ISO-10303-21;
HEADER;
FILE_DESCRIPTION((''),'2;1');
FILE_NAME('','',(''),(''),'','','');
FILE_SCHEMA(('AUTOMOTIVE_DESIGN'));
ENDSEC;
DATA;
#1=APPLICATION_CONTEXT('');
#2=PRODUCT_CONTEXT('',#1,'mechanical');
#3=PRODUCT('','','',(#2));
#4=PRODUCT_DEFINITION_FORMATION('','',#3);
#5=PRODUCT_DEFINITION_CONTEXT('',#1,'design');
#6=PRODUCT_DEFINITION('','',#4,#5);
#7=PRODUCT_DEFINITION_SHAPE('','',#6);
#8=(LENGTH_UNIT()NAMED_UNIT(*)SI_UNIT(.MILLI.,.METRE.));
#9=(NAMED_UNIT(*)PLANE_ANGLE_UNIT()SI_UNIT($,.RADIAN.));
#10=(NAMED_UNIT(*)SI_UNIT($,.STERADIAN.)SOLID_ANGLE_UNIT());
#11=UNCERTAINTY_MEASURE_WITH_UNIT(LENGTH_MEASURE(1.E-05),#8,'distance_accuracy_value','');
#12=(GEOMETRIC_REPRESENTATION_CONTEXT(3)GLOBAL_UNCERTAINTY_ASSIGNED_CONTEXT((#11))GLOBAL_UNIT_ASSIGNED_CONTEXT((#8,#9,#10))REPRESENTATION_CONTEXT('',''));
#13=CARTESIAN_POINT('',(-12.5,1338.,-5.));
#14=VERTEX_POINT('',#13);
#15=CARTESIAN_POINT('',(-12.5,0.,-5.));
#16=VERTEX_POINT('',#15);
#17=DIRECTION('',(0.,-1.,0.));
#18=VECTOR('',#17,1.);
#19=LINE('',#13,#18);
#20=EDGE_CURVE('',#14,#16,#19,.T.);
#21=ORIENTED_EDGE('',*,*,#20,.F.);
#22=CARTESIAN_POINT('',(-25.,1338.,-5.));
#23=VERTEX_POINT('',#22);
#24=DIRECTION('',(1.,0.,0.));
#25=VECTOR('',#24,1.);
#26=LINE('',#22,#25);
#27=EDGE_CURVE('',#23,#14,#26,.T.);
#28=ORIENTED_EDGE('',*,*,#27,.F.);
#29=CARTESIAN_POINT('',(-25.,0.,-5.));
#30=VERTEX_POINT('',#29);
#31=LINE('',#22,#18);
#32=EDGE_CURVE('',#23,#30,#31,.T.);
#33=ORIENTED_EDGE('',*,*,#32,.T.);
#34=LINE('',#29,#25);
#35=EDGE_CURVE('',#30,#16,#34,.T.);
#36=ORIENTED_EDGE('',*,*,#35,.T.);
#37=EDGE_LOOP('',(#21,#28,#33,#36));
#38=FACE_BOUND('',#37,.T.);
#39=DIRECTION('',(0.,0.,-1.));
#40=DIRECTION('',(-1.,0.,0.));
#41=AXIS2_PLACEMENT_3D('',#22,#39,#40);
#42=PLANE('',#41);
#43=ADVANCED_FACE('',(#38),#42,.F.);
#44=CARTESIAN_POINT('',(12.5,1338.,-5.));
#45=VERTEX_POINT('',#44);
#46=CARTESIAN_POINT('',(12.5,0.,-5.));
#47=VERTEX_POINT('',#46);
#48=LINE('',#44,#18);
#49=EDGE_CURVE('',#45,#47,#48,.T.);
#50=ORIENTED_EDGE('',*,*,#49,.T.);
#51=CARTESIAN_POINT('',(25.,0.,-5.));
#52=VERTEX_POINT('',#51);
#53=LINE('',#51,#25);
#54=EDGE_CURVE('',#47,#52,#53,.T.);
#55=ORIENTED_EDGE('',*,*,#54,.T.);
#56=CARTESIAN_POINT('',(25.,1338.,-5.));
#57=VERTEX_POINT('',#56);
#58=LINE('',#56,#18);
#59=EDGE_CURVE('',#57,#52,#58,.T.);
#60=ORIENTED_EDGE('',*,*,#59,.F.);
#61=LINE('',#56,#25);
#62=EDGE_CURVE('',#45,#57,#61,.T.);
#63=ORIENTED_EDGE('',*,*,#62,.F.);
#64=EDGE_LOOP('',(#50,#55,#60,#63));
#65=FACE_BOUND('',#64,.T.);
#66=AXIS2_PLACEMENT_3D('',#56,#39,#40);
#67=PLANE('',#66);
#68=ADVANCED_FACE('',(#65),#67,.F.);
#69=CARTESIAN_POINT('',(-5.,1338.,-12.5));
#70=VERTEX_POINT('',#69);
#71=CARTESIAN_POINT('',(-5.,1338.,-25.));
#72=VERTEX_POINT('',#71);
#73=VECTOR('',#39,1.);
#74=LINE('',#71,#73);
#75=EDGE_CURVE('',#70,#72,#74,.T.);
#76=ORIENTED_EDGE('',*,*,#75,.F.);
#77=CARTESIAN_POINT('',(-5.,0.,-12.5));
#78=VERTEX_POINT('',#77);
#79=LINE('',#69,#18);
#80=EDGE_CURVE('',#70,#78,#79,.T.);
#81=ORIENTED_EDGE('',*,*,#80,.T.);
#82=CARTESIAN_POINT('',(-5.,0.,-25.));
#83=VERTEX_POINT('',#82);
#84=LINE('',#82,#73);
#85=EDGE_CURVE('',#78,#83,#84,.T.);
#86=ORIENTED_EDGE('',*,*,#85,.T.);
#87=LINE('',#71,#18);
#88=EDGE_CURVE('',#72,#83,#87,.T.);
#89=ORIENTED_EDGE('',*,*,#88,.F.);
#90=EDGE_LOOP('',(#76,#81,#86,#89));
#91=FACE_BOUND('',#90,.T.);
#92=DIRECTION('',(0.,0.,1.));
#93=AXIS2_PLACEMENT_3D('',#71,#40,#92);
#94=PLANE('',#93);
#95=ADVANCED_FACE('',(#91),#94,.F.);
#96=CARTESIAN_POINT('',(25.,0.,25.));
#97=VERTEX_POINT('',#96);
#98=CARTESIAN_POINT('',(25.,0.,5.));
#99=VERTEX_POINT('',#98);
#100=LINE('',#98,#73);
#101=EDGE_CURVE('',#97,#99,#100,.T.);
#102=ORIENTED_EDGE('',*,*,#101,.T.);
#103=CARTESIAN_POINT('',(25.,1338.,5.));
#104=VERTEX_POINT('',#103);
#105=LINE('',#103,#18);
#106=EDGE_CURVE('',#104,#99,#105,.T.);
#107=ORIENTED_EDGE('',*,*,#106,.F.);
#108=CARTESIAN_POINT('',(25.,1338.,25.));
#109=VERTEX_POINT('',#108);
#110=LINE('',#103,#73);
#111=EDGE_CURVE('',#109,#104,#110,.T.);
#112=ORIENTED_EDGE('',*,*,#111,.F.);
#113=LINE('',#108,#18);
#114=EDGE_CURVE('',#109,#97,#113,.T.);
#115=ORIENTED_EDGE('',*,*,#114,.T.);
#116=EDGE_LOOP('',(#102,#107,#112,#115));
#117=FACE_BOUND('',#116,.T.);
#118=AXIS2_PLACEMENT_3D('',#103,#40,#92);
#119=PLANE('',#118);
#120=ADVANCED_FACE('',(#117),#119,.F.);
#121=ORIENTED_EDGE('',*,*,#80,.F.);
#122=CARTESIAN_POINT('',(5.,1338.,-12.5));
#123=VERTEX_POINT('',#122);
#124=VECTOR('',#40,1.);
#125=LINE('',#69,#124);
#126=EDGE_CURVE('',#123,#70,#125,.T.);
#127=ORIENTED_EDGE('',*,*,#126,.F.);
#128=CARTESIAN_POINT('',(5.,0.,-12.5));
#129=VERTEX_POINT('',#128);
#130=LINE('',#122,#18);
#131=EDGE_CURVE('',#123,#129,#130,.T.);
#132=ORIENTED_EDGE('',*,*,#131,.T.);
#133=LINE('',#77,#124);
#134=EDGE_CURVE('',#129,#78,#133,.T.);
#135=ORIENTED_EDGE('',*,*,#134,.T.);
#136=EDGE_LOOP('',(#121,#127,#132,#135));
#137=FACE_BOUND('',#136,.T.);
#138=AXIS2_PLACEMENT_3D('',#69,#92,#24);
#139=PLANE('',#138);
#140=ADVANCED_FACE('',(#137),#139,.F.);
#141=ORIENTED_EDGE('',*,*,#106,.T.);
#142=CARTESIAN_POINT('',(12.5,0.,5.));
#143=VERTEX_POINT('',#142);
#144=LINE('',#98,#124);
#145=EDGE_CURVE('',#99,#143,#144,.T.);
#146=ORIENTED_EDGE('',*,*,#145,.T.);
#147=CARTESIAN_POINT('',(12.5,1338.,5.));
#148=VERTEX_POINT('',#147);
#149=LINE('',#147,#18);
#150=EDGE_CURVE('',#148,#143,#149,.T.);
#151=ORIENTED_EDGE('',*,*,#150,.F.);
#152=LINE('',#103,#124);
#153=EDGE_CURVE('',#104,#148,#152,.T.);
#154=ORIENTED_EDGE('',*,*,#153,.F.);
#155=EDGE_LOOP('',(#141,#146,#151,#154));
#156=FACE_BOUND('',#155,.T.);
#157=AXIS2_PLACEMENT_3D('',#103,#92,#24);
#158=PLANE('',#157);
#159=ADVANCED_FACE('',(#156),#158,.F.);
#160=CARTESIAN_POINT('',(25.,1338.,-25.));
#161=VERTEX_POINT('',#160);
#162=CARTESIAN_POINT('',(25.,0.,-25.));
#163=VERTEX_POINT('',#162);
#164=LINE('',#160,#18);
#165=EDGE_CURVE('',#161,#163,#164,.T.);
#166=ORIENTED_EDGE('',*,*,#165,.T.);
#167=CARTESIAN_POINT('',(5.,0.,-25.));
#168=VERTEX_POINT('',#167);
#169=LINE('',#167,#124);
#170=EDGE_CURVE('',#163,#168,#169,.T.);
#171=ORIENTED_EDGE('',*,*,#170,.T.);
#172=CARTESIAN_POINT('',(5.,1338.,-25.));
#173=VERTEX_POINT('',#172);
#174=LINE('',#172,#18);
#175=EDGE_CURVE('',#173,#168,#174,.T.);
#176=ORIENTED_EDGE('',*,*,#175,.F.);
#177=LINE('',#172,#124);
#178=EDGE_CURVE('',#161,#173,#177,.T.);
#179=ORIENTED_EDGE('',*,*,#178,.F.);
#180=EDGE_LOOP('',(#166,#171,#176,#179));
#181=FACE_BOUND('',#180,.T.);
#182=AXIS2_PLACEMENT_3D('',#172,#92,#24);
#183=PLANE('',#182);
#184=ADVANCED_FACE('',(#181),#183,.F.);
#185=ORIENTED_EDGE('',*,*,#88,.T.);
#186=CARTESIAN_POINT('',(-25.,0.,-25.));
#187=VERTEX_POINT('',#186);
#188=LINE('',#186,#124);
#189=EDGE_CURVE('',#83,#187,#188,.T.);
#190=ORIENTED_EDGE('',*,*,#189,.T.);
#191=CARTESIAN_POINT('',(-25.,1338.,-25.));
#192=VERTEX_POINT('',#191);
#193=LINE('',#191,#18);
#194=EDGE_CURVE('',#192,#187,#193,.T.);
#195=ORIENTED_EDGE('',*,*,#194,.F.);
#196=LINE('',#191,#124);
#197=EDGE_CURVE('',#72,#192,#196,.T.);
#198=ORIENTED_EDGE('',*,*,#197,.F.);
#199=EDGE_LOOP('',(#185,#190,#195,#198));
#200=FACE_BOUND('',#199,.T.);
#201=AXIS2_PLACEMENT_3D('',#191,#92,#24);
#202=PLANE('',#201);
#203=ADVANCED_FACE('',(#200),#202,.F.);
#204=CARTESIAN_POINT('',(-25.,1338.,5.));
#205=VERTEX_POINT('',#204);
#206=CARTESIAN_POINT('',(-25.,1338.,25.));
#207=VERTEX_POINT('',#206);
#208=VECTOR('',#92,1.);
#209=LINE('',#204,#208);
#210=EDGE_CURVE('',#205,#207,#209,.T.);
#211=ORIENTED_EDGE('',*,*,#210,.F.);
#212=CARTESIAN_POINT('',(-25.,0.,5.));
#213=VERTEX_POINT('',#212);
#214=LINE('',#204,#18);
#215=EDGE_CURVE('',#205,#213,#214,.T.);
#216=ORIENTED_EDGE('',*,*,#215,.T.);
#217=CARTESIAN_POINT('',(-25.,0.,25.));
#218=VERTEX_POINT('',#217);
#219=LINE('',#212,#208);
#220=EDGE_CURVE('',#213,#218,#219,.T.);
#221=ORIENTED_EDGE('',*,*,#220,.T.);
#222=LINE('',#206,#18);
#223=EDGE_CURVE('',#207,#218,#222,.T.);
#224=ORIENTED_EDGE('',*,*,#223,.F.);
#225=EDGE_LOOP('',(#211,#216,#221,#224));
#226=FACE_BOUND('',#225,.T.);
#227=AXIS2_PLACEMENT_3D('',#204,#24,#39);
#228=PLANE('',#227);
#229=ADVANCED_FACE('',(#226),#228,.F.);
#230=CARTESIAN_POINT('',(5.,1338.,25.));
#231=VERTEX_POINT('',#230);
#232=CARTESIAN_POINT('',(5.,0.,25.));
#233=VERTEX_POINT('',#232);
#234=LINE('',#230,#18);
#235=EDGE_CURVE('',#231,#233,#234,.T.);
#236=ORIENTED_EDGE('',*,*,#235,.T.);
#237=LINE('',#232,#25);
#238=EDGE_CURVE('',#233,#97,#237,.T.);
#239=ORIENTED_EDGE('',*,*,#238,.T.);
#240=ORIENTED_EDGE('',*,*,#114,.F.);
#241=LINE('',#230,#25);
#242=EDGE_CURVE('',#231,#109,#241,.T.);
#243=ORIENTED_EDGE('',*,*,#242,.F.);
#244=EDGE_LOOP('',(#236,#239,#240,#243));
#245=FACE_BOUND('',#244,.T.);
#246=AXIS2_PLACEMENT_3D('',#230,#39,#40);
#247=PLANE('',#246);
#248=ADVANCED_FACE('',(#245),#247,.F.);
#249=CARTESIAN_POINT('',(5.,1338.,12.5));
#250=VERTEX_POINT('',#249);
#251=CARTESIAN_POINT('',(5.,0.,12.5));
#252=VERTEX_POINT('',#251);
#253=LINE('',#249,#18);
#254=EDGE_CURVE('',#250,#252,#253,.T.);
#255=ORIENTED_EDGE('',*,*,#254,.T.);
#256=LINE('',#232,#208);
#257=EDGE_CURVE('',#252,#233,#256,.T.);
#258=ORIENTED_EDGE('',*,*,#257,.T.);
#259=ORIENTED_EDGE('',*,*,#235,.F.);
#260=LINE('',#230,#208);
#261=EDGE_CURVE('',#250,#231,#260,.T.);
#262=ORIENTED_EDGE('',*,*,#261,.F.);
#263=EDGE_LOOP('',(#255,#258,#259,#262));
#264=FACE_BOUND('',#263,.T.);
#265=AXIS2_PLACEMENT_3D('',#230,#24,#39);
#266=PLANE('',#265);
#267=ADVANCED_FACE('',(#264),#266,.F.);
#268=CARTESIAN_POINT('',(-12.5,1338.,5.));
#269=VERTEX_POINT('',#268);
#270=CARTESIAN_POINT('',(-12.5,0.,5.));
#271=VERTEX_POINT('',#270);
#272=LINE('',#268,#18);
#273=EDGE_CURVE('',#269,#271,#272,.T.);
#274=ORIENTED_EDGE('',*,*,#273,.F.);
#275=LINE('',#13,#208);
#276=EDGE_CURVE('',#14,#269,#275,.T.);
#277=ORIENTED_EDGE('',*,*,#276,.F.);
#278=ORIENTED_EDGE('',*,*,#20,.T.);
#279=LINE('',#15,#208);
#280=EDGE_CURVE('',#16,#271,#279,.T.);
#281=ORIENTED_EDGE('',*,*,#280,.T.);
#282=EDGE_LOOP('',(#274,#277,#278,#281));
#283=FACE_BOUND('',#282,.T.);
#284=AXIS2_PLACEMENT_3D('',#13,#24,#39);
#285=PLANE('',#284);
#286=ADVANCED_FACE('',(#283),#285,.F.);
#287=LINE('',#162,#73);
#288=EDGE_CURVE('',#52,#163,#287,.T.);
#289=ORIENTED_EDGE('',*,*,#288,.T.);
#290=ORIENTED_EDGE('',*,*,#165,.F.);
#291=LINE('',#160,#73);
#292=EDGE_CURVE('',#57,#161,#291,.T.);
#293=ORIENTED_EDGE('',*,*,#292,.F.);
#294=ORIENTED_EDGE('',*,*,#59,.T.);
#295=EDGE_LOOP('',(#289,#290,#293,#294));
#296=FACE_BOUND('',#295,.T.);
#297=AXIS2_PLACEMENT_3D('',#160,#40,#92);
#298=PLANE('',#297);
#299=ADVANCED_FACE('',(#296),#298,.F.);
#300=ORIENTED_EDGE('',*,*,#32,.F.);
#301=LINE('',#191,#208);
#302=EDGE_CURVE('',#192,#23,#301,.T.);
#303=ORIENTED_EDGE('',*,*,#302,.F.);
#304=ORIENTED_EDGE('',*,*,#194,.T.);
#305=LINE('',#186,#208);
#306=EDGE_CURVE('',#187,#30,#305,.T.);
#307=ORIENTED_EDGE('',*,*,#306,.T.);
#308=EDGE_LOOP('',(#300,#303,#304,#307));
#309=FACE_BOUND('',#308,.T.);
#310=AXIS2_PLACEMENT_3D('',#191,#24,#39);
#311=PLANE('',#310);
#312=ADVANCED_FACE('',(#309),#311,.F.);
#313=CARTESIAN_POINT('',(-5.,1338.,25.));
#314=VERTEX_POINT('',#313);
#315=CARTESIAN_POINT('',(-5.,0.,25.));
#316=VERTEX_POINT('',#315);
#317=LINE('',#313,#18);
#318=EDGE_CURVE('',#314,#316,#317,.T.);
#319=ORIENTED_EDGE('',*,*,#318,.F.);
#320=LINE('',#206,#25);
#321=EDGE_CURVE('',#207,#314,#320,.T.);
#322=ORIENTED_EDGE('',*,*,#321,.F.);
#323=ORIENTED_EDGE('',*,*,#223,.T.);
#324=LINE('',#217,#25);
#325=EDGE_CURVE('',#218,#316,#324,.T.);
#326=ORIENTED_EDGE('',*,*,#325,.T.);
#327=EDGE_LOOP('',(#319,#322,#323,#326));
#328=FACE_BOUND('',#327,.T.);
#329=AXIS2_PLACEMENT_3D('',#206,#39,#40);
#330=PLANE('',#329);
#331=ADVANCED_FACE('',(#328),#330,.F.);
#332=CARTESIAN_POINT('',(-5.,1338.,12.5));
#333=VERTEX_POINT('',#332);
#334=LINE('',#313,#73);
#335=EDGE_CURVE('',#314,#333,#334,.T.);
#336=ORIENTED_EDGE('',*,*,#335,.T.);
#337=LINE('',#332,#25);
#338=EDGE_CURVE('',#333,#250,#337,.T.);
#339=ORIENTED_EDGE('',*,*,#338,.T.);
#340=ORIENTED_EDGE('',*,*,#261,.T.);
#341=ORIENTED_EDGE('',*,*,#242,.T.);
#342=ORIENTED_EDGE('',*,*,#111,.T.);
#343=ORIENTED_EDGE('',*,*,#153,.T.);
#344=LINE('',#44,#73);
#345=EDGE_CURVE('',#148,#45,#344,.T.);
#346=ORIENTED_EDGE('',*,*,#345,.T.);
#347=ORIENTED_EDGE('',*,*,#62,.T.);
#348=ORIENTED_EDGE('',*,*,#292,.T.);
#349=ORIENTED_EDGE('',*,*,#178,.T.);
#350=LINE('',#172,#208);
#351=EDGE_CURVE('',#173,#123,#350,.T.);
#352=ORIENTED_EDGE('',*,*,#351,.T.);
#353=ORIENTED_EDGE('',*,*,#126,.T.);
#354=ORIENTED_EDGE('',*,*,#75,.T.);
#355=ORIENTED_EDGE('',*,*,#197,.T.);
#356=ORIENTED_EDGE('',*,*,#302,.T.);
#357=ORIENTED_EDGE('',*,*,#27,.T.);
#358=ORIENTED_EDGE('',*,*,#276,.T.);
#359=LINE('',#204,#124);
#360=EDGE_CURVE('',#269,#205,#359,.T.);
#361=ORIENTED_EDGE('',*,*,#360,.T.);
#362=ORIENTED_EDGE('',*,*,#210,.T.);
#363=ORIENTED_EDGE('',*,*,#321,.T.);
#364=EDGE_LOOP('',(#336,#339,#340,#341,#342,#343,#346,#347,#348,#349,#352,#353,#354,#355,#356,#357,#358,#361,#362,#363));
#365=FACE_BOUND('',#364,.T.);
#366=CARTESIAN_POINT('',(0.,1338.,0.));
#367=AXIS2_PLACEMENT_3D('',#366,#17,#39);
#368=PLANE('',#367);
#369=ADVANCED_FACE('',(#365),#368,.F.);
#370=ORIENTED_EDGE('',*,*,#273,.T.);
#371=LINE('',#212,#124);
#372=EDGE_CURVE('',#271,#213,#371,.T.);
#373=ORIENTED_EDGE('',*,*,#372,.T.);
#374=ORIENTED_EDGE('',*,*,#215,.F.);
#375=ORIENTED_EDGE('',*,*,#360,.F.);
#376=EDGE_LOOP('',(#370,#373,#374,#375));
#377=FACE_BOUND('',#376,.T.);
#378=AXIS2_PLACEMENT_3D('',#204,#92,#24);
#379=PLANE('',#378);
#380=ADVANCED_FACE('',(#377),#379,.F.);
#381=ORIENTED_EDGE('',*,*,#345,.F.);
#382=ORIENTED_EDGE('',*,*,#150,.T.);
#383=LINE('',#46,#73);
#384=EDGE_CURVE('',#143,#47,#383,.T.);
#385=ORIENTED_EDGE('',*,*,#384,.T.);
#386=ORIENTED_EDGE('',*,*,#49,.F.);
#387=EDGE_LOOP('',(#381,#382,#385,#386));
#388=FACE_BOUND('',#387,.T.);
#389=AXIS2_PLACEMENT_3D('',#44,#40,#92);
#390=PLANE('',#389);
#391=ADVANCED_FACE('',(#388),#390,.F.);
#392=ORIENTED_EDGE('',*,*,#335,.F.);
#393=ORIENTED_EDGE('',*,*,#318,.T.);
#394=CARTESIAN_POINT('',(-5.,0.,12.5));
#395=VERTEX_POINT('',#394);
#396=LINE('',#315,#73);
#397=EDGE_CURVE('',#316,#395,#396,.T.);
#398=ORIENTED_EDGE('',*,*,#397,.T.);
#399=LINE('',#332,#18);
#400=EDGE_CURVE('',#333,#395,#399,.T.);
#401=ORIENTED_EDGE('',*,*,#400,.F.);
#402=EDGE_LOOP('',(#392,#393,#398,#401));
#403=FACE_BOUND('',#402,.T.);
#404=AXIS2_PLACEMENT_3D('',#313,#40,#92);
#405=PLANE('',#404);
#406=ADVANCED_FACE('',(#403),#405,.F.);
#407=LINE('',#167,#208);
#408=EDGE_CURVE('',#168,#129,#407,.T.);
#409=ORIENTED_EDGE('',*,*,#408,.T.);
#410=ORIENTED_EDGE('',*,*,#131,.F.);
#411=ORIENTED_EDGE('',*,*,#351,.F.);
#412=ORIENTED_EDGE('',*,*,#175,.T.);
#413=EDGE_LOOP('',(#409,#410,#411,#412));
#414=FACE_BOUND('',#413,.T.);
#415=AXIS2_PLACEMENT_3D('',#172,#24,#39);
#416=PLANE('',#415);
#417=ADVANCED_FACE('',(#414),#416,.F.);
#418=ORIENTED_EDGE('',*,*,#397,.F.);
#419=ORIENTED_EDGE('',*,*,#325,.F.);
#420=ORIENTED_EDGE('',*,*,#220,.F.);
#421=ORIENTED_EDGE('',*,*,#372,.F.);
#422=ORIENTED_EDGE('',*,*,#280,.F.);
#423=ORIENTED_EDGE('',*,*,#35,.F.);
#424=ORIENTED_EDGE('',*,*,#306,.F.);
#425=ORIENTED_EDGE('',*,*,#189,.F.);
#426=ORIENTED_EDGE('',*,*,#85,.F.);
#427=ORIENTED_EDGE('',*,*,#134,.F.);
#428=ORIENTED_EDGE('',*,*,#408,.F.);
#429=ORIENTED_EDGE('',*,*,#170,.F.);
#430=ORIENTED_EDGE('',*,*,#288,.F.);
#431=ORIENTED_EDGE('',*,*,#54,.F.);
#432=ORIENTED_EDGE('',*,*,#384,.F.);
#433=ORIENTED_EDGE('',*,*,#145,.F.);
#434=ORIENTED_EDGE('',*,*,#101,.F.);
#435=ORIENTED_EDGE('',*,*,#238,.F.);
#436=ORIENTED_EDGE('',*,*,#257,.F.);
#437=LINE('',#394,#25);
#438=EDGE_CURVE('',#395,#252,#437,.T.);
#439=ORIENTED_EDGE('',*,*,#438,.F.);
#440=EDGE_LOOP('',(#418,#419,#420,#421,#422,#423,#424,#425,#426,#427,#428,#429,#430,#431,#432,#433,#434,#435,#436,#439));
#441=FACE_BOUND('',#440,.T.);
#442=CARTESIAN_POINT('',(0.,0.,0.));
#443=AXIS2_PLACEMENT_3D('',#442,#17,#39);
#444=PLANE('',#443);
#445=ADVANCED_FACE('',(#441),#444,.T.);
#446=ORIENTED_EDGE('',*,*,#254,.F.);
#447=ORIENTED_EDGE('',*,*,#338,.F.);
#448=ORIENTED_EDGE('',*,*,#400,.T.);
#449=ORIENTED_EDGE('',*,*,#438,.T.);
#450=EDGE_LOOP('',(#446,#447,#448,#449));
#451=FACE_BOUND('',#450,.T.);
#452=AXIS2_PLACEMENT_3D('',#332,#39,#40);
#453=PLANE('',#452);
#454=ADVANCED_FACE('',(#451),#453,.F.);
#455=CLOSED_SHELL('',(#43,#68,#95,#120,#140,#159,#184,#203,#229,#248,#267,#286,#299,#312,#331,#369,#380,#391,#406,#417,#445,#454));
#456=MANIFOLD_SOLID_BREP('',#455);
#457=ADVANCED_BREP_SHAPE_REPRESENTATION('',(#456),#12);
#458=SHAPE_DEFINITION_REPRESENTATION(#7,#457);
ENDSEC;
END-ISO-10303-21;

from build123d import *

# Parameters (mm, degrees)
BOSS_EXTRUDE1_DEPTH = 1338
BOSS_EXTRUDE2_DEPTH = 10


with BuildPart() as part:
    # Sketch1 → Boss-Extrude1 (new body)
    with BuildSketch(Plane(origin=(0, 0, 0), x_dir=(1, 0, 0), z_dir=(0, 1, 0))):
        Polygon((-25, 25), (-5, 25), (-5, 12.5), (5, 12.5), (5, 25), (25, 25), (25, 5), (12.5, 5), (12.5, -5), (25, -5), (25, -25), (5, -25), (5, -12.5), (-5, -12.5), (-5, -25), (-25, -25), (-25, -5), (-12.5, -5), (-12.5, 5), (-25, 5), align=None)
    extrude(amount=BOSS_EXTRUDE1_DEPTH)

    # Sketch1<2> → Boss-Extrude2 (add)
    with BuildSketch(Plane(origin=(0, 0, 0), x_dir=(1, 0, 0), z_dir=(0, 1, 0))):
        Polygon((-25, 25), (-5, 25), (-5, 12.5), (5, 12.5), (5, 25), (25, 25), (25, 5), (12.5, 5), (12.5, -5), (25, -5), (25, -25), (5, -25), (5, -12.5), (-5, -12.5), (-5, -25), (-25, -25), (-25, -5), (-12.5, -5), (-12.5, 5), (-25, 5), align=None)
    extrude(amount=BOSS_EXTRUDE2_DEPTH)


solid = part.part
